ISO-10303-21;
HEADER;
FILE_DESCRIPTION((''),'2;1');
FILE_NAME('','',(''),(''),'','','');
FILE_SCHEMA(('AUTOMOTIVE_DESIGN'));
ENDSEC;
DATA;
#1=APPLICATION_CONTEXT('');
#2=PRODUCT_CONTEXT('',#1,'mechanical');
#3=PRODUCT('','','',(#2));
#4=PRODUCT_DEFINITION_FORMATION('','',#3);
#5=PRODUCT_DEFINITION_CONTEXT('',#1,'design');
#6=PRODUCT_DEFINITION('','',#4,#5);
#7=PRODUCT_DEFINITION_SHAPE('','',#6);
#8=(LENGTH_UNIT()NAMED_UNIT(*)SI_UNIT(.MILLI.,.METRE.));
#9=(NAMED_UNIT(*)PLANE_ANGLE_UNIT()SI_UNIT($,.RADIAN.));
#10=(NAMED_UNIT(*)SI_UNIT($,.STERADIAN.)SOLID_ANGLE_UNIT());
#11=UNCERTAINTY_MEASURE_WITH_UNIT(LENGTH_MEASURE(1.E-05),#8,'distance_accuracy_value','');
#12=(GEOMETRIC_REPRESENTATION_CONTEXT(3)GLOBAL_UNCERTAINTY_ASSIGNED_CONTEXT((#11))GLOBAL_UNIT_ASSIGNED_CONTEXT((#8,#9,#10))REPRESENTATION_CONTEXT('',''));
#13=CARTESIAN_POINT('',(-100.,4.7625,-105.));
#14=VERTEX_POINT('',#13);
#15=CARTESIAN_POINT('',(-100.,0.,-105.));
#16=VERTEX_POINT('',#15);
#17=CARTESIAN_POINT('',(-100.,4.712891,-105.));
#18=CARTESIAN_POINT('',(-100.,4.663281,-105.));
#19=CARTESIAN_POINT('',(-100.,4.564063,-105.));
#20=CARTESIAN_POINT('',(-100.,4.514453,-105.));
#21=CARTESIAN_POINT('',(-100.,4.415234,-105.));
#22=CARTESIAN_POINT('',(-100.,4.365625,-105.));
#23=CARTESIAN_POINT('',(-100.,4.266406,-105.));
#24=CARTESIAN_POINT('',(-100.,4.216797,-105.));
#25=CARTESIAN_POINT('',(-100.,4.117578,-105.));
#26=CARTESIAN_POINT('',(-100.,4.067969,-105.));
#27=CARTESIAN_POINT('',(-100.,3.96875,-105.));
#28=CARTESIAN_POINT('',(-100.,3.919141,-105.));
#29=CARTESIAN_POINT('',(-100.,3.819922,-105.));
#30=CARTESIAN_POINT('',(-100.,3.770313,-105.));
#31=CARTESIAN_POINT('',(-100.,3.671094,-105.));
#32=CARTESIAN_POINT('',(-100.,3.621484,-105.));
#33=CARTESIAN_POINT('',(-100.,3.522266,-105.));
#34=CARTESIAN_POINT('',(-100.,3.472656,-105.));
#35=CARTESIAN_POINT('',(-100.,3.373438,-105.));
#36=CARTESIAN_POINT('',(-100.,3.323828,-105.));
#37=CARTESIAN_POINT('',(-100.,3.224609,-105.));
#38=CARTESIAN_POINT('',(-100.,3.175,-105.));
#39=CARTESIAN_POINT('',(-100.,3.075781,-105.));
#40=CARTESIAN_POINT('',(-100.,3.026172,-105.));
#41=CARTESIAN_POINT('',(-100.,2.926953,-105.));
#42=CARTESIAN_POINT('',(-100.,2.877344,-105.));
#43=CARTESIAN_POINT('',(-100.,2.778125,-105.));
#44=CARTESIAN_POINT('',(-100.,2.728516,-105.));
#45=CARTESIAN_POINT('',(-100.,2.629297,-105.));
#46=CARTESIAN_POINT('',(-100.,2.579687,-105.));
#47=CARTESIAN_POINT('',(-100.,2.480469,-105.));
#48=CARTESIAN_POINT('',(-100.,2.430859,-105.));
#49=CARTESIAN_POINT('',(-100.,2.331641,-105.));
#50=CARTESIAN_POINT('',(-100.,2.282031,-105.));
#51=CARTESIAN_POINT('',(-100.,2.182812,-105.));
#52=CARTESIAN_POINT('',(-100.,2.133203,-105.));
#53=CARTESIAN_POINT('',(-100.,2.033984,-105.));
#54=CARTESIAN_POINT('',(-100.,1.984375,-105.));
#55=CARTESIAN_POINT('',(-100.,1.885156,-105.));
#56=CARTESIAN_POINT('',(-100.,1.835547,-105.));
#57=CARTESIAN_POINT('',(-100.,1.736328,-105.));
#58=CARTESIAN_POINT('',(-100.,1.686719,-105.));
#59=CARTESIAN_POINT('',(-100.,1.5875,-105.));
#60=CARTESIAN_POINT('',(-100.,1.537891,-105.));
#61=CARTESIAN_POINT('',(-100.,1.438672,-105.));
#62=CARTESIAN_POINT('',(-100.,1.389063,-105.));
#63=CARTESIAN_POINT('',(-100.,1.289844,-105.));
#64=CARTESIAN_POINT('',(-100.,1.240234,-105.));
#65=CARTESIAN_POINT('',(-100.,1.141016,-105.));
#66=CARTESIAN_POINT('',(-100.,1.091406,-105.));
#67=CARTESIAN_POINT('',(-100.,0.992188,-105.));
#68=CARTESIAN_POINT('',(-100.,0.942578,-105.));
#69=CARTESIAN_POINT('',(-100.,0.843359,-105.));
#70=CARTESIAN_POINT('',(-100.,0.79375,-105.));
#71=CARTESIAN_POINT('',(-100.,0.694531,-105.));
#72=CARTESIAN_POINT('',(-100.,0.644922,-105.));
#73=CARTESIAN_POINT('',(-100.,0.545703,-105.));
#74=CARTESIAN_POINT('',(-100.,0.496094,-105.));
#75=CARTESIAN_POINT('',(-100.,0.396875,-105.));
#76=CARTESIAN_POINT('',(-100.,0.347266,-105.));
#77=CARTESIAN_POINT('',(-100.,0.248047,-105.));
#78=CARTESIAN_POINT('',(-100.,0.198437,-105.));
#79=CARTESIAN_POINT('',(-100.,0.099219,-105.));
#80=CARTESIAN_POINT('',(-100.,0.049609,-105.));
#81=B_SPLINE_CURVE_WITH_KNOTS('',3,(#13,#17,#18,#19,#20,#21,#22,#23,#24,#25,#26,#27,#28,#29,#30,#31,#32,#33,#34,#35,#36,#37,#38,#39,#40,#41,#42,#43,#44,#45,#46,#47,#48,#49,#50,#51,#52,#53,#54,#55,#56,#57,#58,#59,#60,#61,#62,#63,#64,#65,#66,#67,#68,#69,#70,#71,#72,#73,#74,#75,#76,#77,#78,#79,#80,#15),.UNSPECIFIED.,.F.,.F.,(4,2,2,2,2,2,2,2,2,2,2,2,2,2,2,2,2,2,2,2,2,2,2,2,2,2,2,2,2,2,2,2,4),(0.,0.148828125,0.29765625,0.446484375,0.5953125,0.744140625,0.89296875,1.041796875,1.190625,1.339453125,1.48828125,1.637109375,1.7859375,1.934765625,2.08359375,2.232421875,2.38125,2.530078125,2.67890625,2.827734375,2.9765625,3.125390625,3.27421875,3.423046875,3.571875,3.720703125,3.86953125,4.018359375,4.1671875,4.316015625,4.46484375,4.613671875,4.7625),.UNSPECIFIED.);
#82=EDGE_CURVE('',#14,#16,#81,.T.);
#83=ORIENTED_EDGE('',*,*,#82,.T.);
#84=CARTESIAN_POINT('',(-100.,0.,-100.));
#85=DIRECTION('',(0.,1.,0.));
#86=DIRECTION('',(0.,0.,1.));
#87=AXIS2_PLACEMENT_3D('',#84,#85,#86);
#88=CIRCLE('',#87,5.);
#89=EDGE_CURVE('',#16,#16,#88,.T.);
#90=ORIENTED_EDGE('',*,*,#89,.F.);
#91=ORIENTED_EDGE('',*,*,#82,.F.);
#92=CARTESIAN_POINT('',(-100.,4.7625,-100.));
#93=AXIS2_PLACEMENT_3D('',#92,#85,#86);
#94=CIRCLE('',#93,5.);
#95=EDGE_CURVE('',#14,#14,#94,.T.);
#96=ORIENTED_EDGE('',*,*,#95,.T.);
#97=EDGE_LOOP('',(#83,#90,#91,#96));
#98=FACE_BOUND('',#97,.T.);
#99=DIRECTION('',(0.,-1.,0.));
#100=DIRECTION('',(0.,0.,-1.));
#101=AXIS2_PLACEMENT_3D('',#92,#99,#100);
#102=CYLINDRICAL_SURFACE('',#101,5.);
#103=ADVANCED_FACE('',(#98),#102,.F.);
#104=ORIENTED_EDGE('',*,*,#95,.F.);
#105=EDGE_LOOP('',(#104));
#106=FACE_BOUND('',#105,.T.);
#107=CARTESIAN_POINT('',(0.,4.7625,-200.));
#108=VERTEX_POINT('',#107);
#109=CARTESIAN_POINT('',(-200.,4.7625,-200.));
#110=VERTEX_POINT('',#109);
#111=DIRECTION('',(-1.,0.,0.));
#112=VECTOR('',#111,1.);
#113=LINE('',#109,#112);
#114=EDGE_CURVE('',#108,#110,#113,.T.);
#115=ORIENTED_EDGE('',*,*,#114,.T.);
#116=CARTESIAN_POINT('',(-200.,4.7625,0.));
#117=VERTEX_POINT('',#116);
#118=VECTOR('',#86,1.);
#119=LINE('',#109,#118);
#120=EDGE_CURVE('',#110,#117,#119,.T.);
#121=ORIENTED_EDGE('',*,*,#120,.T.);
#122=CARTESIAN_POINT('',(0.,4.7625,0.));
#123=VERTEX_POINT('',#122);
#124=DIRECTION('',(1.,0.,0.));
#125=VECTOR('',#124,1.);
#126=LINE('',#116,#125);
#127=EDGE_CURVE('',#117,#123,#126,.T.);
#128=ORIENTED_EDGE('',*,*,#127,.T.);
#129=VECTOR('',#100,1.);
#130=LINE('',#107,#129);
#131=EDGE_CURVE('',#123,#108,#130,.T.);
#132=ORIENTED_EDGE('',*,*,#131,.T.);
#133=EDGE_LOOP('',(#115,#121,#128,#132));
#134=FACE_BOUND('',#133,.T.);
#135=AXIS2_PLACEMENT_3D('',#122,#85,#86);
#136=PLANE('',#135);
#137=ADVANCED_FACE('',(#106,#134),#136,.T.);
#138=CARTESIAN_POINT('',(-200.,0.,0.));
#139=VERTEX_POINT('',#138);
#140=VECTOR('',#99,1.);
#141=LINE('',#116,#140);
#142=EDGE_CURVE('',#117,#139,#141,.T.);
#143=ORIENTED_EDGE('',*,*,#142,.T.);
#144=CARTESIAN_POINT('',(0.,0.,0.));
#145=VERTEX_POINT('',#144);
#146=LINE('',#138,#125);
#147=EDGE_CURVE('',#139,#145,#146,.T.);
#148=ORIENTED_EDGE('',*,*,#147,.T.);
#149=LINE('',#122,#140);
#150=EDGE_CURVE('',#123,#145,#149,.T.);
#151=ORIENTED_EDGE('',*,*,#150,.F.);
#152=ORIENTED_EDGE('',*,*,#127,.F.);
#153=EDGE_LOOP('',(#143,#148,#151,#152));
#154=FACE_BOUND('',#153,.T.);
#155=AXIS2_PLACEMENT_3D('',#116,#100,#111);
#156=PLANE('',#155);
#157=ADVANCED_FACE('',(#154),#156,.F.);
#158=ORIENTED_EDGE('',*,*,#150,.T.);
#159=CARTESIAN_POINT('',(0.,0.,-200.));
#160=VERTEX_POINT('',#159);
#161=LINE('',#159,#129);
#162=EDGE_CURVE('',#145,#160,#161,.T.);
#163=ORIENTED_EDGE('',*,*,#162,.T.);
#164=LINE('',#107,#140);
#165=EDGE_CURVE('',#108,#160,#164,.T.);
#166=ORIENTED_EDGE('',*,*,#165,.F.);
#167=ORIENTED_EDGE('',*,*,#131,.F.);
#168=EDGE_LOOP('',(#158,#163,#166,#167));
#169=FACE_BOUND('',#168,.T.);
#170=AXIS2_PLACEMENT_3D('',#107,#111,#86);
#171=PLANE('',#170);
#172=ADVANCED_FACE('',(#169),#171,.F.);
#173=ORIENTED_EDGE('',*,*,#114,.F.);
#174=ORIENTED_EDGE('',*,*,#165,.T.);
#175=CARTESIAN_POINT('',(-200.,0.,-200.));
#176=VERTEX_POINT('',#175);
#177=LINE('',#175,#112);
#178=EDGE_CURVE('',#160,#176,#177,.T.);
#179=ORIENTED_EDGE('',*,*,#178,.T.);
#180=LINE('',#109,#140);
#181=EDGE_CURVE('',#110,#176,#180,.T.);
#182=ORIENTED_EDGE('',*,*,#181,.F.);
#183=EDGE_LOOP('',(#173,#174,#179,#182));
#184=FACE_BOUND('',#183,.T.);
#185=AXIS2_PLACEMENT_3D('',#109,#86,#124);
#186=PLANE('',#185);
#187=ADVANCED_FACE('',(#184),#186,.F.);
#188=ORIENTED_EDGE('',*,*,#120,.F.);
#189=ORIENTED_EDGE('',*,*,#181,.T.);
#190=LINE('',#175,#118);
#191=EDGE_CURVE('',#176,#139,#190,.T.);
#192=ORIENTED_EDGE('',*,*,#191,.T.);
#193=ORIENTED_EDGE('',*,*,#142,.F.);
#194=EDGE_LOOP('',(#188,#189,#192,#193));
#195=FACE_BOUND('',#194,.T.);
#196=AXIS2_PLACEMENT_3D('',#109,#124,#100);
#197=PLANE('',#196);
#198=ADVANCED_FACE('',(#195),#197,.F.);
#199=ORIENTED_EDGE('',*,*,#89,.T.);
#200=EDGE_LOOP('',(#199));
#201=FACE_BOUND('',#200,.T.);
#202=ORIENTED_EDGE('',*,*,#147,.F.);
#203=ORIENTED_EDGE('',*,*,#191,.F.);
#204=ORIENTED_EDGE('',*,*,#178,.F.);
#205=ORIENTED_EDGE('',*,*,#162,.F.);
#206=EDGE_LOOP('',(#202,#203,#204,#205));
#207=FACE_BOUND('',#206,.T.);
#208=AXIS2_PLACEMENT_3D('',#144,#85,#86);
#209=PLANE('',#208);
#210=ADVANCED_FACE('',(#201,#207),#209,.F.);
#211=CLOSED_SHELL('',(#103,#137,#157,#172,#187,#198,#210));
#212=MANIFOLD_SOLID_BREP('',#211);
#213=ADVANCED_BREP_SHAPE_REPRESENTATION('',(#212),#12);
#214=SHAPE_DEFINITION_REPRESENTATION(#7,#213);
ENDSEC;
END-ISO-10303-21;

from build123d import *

# Parameters (mm, degrees)
SKETCH1_W           = 200
SKETCH1_H           = 200
SKETCH1_R           = 5
BOSS_EXTRUDE1_DEPTH = 4.7625


with BuildPart() as part:
    # Sketch1 → Boss-Extrude1 (new body)
    with BuildSketch(Plane(origin=(0, 0, 0), x_dir=(1, 0, 0), z_dir=(0, 1, 0))):
        with Locations((-100, 100)):
            Rectangle(SKETCH1_W, SKETCH1_H)
        with Locations(Location((-100, 100, 0), (0, 0, 90))):
            Circle(SKETCH1_R, mode=Mode.SUBTRACT)
    extrude(amount=BOSS_EXTRUDE1_DEPTH)


solid = part.part
